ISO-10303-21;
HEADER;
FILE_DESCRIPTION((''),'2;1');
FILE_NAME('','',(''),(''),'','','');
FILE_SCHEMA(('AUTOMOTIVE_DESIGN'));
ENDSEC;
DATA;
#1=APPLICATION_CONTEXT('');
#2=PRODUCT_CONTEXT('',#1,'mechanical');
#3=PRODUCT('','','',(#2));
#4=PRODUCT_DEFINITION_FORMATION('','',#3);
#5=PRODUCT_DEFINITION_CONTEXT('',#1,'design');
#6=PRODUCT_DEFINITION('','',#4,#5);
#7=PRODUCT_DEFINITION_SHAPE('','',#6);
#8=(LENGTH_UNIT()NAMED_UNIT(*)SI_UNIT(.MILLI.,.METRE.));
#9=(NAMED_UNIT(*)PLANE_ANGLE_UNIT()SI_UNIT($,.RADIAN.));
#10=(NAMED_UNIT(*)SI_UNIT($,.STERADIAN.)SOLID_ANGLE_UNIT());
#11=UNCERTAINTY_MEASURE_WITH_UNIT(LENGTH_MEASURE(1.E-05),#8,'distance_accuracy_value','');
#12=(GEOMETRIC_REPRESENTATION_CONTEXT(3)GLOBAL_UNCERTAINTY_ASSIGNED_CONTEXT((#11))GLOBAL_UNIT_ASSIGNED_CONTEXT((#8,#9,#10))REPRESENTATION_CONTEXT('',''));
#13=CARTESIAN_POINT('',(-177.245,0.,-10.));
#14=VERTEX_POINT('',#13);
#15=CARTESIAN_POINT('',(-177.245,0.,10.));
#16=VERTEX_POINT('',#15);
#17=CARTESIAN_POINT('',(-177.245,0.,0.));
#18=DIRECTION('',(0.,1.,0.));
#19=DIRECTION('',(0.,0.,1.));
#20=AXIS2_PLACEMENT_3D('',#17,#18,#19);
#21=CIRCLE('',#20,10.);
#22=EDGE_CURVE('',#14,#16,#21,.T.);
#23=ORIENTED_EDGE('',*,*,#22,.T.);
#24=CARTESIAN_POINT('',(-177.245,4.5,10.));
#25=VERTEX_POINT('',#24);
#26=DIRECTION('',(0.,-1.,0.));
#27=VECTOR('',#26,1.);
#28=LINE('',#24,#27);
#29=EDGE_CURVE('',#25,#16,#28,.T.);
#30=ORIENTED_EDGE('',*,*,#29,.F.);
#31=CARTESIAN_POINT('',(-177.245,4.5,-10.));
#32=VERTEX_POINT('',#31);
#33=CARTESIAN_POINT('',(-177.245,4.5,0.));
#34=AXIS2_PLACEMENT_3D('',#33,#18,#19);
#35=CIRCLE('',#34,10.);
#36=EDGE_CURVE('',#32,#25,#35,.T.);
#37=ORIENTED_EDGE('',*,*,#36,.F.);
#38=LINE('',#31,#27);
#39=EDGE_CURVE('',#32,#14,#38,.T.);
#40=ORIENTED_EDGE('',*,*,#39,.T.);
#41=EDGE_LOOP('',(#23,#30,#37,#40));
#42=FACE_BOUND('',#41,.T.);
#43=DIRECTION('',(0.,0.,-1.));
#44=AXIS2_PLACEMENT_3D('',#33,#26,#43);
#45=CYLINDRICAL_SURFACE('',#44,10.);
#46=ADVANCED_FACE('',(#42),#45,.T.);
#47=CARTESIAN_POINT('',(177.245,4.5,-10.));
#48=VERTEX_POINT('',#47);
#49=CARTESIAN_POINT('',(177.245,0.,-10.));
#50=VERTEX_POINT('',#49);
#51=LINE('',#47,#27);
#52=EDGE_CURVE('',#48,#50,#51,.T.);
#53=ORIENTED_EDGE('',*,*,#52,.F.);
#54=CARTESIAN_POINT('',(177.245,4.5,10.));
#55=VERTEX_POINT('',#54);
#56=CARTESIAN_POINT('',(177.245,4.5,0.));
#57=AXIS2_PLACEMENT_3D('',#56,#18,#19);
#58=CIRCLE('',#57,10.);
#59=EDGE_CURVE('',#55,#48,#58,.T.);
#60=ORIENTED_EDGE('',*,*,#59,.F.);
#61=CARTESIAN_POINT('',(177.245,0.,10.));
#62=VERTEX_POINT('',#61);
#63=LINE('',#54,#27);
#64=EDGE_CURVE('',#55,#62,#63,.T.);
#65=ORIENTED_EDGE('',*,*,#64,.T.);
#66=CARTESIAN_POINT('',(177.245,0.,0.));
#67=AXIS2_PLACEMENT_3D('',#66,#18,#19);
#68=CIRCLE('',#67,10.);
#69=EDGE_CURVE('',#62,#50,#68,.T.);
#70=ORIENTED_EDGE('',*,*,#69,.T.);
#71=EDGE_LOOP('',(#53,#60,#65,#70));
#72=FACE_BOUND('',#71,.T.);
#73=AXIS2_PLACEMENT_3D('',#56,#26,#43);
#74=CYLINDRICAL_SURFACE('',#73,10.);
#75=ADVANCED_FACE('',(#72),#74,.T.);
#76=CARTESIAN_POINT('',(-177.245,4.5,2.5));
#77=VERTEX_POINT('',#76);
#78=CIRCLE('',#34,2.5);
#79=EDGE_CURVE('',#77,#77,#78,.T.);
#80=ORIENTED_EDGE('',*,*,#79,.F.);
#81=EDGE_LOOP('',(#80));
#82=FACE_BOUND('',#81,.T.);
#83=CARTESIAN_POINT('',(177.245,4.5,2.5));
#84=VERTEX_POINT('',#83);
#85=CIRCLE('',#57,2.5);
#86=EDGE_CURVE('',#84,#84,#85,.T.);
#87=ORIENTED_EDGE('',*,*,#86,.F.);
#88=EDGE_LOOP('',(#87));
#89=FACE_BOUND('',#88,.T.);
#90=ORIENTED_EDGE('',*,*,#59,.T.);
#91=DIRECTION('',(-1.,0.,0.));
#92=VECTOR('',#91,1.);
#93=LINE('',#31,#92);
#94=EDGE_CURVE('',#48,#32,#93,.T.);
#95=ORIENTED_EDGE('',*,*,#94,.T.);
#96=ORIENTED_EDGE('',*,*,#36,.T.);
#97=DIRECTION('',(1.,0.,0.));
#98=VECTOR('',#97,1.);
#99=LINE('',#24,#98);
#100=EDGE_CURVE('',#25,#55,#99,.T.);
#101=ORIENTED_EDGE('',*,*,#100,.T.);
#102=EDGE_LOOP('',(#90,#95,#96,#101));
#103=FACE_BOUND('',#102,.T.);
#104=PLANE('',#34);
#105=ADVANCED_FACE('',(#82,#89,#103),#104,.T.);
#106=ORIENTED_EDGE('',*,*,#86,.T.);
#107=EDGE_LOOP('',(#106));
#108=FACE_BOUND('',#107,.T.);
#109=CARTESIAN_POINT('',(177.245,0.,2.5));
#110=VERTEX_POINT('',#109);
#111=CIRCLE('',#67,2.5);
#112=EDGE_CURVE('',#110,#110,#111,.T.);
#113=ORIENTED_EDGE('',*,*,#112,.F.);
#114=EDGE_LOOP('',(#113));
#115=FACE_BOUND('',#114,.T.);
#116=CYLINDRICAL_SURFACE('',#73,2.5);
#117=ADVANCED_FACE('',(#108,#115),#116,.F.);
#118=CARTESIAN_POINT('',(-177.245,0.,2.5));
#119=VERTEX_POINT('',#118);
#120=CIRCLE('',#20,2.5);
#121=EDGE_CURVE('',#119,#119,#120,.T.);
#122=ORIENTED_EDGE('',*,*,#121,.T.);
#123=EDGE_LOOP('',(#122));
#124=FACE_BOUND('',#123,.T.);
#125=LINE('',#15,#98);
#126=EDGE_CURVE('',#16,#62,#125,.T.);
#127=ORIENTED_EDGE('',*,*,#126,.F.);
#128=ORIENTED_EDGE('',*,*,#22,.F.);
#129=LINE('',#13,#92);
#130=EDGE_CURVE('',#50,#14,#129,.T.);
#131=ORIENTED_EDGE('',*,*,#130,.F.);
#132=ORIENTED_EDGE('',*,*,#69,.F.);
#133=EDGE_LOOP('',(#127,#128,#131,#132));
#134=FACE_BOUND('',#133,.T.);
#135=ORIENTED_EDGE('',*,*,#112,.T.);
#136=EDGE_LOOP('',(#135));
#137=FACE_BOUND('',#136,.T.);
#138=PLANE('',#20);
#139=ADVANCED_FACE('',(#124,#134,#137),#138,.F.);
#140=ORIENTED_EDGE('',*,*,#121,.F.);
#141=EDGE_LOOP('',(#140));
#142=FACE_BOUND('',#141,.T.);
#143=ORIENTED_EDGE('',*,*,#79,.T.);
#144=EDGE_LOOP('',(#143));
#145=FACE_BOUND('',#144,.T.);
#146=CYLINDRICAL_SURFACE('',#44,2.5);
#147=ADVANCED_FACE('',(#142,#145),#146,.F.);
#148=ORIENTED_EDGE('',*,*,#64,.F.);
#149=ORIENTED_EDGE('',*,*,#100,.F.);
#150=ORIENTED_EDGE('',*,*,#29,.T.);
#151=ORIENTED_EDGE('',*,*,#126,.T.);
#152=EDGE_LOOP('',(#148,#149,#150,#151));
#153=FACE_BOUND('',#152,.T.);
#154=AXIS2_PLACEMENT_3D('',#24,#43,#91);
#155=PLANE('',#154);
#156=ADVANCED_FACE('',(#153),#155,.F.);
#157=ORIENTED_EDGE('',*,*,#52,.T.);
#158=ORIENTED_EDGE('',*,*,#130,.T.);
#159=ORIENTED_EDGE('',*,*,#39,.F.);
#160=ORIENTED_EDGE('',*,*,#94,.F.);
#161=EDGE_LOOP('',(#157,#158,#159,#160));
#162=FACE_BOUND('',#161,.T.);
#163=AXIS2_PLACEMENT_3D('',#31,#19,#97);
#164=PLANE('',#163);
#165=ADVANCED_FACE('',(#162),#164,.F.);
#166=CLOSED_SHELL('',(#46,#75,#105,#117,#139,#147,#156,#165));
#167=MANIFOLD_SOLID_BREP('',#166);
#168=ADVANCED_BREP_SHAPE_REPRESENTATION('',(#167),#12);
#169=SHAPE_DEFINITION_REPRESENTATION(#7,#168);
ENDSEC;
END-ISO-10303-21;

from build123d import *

# Parameters (mm, degrees)
SKETCH_1_R      = 2.5
EXTRUDE_1_DEPTH = 4.5


with BuildPart() as part:
    # 草圖1 → 填料-伸長1 (new body)
    with BuildSketch(Plane(origin=(0, 0, 0), x_dir=(1, 0, 0), z_dir=(0, 1, 0))):
        with BuildLine():
            Line((-177.245, 10), (177.245, 10))
            ThreePointArc((177.245, 10), (187.245, 0), (177.245, -10))
            Line((177.245, -10), (-177.245, -10))
            ThreePointArc((-177.245, -10), (-187.245, 0), (-177.245, 10))
        make_face()
        with Locations(Location((-177.245, 0, 0), (0, 0, 270))):
            Circle(SKETCH_1_R, mode=Mode.SUBTRACT)
        with Locations(Location((177.245, 0, 0), (0, 0, 270))):
            Circle(SKETCH_1_R, mode=Mode.SUBTRACT)
    extrude(amount=EXTRUDE_1_DEPTH)


solid = part.part
